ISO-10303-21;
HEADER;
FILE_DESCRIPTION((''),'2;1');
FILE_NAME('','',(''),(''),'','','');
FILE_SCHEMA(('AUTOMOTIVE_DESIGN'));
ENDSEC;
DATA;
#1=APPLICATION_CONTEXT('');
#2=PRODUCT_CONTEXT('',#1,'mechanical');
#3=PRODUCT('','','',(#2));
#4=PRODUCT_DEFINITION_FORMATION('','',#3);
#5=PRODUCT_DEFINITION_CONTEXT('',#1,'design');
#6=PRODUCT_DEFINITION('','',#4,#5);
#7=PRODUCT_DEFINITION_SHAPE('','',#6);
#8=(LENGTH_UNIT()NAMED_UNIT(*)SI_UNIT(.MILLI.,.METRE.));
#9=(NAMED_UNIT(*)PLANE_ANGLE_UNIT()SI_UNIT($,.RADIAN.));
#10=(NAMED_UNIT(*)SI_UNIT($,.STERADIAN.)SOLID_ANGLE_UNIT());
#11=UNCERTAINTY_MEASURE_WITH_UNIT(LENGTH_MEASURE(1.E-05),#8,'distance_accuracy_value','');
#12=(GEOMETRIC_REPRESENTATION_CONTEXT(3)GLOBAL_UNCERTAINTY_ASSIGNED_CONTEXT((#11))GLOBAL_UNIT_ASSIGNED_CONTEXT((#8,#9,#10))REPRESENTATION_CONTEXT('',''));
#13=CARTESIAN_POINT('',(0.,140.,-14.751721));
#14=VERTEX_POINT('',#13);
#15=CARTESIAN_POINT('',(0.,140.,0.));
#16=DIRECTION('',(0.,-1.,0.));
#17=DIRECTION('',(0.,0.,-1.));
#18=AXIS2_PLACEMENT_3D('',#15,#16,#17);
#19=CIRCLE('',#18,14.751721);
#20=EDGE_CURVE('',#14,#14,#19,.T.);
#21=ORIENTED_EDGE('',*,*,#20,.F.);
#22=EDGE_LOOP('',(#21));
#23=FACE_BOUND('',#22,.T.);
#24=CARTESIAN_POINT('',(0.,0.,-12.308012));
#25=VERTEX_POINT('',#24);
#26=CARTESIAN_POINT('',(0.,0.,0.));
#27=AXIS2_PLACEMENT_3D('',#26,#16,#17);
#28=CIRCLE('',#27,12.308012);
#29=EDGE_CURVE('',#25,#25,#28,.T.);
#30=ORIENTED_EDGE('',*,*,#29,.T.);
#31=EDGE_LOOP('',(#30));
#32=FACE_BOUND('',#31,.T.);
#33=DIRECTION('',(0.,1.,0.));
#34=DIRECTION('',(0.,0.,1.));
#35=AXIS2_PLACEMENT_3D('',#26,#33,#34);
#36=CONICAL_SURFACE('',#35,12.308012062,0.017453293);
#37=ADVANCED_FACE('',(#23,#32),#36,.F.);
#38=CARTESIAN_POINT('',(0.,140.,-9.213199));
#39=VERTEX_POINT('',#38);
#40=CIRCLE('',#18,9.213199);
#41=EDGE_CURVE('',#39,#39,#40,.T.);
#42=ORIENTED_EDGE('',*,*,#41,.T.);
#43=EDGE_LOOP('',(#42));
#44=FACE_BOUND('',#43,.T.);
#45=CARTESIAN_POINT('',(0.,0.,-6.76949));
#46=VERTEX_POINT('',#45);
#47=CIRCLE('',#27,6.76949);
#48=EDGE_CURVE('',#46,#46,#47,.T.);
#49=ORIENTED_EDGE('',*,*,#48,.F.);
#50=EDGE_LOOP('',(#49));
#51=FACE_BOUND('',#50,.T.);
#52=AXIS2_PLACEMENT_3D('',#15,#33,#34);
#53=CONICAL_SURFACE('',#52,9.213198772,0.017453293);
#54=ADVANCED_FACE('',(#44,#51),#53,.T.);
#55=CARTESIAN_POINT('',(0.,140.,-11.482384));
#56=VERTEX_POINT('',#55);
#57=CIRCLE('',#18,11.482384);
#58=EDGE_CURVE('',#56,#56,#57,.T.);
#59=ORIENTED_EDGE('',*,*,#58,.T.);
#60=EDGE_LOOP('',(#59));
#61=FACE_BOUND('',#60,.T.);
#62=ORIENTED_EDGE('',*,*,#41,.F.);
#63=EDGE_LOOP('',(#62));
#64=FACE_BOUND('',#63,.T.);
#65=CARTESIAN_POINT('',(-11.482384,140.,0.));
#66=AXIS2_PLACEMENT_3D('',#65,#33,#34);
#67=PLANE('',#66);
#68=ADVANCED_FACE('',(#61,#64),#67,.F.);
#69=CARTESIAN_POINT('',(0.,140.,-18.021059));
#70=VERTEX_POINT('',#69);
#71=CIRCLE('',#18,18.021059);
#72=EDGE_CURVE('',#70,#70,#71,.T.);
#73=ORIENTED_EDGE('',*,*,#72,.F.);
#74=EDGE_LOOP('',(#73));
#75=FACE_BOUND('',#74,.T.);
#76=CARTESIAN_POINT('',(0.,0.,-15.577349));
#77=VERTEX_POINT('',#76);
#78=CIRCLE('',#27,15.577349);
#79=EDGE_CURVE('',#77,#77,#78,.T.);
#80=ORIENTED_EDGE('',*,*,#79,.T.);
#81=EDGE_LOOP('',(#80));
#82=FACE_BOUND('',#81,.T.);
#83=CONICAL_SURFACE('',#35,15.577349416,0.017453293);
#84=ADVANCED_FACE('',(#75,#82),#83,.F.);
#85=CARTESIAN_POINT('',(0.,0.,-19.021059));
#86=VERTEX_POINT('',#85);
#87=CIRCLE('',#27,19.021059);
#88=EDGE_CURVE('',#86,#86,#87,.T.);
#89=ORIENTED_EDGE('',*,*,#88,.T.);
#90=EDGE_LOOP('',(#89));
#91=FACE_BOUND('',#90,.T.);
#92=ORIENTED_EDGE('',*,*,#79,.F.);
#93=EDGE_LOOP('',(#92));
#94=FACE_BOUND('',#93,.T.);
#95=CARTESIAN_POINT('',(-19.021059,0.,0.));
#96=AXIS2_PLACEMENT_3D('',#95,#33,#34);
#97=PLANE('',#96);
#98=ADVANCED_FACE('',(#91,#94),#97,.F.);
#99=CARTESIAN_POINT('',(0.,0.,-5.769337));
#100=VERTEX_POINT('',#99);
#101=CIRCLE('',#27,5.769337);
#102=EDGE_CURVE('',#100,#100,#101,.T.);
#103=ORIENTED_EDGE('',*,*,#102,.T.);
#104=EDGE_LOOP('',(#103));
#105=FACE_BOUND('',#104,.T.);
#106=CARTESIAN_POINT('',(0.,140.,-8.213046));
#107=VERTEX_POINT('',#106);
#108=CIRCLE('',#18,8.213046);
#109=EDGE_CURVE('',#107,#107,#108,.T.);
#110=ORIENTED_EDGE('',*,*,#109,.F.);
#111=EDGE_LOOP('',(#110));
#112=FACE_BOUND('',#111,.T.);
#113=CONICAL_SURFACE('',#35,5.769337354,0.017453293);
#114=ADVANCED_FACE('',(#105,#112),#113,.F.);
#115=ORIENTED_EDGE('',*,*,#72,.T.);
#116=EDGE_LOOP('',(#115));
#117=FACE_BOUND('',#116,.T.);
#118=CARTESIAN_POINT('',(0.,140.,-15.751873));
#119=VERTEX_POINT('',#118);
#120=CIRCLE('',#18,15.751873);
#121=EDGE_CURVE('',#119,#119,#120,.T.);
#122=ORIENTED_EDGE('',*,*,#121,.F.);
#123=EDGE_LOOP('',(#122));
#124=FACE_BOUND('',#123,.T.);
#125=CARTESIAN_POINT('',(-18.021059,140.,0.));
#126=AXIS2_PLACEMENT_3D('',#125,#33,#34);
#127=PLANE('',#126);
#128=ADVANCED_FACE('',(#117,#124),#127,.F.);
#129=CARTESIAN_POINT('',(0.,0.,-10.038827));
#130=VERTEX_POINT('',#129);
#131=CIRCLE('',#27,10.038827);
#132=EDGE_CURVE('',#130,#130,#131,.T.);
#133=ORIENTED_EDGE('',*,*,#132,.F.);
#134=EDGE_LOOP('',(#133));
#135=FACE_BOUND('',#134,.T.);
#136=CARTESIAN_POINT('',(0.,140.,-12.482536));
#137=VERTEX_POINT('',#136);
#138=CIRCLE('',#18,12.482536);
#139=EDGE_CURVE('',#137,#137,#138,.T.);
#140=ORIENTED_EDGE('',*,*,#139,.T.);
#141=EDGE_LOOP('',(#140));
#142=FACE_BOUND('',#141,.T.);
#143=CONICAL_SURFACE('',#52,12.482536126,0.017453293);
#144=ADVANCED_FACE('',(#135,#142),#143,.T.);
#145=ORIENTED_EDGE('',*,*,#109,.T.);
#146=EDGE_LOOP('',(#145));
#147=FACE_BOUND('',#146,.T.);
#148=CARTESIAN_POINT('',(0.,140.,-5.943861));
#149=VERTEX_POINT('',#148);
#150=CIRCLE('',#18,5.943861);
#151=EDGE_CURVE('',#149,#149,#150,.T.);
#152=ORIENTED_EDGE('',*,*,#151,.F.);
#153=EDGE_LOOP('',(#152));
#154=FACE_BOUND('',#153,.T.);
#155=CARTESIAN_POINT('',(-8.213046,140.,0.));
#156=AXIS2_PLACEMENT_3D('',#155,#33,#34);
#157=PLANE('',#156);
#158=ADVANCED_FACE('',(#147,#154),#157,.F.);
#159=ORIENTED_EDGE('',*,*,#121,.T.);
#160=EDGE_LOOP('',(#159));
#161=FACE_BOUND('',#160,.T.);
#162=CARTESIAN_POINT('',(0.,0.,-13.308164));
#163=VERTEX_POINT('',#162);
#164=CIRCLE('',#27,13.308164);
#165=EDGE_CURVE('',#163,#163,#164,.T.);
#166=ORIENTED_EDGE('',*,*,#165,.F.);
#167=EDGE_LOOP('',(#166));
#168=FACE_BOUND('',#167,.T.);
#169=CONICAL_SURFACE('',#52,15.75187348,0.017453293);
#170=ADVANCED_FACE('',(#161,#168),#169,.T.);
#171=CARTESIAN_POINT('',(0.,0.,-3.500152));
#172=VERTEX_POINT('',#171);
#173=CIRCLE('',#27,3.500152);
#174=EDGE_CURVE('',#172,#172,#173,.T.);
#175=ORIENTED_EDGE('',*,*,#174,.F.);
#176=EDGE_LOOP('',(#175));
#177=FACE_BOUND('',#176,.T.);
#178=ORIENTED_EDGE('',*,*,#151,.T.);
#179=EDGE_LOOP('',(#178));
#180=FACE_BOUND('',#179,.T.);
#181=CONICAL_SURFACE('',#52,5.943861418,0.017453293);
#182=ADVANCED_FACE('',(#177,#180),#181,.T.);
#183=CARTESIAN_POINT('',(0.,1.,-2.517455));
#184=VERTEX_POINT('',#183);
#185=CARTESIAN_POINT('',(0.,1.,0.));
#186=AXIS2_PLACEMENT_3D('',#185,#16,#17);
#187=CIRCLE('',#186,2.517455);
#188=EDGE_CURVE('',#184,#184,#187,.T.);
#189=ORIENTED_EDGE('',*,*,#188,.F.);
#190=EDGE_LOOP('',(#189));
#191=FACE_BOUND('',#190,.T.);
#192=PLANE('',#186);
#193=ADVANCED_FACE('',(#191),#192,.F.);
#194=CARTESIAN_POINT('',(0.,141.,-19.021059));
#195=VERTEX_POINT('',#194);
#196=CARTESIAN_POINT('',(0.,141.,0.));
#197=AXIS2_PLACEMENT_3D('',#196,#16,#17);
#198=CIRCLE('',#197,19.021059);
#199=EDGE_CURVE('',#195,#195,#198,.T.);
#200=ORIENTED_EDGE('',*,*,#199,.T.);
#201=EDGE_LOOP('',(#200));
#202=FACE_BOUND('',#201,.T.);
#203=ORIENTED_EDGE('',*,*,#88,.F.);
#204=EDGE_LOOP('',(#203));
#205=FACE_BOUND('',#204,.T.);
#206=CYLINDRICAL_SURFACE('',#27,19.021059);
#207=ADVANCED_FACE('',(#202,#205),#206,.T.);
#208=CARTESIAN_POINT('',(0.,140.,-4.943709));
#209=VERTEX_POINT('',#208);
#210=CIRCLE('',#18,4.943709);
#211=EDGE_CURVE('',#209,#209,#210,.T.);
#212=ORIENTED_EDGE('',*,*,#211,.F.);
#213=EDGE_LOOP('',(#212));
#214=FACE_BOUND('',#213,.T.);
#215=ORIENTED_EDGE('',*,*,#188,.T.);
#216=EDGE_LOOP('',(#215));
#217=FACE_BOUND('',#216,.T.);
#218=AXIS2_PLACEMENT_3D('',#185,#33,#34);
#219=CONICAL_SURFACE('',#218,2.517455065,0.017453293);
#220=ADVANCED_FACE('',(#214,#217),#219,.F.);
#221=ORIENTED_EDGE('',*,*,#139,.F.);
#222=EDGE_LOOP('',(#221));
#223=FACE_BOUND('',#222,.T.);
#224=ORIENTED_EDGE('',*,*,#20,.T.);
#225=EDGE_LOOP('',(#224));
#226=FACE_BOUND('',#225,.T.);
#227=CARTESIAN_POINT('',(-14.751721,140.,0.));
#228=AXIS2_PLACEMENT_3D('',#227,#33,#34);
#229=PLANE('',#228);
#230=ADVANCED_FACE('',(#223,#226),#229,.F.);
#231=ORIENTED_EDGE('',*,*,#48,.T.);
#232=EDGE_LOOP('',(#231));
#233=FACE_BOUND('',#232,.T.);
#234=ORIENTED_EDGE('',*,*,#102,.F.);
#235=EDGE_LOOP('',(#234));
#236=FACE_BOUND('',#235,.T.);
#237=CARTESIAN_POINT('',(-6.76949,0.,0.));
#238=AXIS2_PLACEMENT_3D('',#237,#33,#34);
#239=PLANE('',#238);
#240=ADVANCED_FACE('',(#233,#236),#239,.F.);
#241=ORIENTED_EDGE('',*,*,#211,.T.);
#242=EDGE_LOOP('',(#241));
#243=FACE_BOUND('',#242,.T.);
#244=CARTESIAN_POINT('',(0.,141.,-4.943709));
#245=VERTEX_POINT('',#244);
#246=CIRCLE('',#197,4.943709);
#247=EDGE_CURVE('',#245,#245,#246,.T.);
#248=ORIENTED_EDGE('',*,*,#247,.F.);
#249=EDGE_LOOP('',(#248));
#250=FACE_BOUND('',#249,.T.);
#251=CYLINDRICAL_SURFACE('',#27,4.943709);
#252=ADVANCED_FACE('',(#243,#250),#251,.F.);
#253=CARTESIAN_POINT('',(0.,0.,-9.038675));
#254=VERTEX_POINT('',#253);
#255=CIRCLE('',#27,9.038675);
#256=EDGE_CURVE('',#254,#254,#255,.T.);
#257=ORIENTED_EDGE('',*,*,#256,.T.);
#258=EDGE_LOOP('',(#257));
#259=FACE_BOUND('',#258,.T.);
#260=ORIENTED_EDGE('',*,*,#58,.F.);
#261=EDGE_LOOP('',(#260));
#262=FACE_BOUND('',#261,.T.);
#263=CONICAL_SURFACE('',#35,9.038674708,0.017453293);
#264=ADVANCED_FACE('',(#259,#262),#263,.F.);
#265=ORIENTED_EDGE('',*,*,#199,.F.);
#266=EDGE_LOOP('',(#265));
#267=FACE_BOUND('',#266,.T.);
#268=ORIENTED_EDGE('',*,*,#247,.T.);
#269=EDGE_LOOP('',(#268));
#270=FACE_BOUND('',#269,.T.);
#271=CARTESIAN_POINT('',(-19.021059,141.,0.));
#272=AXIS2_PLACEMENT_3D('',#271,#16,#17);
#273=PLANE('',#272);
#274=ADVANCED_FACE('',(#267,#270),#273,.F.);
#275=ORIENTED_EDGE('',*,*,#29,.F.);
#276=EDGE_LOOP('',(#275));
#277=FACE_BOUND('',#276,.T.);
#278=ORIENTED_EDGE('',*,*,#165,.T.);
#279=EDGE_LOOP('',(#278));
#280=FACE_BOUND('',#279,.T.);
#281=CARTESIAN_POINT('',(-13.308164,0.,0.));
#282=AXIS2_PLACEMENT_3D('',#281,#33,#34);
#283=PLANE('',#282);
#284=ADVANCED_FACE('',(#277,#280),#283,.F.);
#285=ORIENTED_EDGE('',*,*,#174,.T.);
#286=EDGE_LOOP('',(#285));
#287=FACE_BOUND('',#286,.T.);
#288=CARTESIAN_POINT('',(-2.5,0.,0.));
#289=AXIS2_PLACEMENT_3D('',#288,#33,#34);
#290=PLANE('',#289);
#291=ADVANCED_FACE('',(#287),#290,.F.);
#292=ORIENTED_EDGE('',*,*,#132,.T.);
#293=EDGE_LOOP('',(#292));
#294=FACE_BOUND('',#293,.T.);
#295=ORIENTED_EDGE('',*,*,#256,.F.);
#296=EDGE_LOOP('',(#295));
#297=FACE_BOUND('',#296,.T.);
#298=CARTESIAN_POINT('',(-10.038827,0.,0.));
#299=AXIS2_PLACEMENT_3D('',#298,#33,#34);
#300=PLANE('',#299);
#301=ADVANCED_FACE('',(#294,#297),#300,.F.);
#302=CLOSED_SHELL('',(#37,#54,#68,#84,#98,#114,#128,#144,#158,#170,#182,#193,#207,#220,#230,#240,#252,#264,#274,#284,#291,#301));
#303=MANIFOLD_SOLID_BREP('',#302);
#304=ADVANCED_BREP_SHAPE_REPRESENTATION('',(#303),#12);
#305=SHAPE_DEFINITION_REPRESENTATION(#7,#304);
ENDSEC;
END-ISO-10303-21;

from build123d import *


with BuildPart() as part:
    # Sketch1 → Revolve2 (revolve)
    with BuildSketch(Plane.XY, mode=Mode.PRIVATE) as revolve2_sk:
        Polygon((-2.517455065, 1), (-4.94370909, 140), (-4.94370909, 141), (-19.021058506, 141), (-19.021058506, 140), (-19.021058506, 0), (-15.577349416, 0), (-18.021058506, 140), (-15.75187348, 140), (-13.30816439, 0), (-12.308012062, 0), (-14.751721152, 140), (-12.482536126, 140), (-10.038827036, 0), (-9.038674708, 0), (-11.482383798, 140), (-9.213198772, 140), (-6.769489682, 0), (-5.769337354, 0), (-8.213046444, 140), (-5.943861418, 140), (-3.500152328, 0), (-2.5, 0), (0, 0), (0, 1), align=None)
    revolve(revolve2_sk.sketch.rotate(Axis((0, 0, 0), (0, 1, 0)), 270), axis=Axis((0, 0, 0), (0, 1, 0)))


solid = part.part
